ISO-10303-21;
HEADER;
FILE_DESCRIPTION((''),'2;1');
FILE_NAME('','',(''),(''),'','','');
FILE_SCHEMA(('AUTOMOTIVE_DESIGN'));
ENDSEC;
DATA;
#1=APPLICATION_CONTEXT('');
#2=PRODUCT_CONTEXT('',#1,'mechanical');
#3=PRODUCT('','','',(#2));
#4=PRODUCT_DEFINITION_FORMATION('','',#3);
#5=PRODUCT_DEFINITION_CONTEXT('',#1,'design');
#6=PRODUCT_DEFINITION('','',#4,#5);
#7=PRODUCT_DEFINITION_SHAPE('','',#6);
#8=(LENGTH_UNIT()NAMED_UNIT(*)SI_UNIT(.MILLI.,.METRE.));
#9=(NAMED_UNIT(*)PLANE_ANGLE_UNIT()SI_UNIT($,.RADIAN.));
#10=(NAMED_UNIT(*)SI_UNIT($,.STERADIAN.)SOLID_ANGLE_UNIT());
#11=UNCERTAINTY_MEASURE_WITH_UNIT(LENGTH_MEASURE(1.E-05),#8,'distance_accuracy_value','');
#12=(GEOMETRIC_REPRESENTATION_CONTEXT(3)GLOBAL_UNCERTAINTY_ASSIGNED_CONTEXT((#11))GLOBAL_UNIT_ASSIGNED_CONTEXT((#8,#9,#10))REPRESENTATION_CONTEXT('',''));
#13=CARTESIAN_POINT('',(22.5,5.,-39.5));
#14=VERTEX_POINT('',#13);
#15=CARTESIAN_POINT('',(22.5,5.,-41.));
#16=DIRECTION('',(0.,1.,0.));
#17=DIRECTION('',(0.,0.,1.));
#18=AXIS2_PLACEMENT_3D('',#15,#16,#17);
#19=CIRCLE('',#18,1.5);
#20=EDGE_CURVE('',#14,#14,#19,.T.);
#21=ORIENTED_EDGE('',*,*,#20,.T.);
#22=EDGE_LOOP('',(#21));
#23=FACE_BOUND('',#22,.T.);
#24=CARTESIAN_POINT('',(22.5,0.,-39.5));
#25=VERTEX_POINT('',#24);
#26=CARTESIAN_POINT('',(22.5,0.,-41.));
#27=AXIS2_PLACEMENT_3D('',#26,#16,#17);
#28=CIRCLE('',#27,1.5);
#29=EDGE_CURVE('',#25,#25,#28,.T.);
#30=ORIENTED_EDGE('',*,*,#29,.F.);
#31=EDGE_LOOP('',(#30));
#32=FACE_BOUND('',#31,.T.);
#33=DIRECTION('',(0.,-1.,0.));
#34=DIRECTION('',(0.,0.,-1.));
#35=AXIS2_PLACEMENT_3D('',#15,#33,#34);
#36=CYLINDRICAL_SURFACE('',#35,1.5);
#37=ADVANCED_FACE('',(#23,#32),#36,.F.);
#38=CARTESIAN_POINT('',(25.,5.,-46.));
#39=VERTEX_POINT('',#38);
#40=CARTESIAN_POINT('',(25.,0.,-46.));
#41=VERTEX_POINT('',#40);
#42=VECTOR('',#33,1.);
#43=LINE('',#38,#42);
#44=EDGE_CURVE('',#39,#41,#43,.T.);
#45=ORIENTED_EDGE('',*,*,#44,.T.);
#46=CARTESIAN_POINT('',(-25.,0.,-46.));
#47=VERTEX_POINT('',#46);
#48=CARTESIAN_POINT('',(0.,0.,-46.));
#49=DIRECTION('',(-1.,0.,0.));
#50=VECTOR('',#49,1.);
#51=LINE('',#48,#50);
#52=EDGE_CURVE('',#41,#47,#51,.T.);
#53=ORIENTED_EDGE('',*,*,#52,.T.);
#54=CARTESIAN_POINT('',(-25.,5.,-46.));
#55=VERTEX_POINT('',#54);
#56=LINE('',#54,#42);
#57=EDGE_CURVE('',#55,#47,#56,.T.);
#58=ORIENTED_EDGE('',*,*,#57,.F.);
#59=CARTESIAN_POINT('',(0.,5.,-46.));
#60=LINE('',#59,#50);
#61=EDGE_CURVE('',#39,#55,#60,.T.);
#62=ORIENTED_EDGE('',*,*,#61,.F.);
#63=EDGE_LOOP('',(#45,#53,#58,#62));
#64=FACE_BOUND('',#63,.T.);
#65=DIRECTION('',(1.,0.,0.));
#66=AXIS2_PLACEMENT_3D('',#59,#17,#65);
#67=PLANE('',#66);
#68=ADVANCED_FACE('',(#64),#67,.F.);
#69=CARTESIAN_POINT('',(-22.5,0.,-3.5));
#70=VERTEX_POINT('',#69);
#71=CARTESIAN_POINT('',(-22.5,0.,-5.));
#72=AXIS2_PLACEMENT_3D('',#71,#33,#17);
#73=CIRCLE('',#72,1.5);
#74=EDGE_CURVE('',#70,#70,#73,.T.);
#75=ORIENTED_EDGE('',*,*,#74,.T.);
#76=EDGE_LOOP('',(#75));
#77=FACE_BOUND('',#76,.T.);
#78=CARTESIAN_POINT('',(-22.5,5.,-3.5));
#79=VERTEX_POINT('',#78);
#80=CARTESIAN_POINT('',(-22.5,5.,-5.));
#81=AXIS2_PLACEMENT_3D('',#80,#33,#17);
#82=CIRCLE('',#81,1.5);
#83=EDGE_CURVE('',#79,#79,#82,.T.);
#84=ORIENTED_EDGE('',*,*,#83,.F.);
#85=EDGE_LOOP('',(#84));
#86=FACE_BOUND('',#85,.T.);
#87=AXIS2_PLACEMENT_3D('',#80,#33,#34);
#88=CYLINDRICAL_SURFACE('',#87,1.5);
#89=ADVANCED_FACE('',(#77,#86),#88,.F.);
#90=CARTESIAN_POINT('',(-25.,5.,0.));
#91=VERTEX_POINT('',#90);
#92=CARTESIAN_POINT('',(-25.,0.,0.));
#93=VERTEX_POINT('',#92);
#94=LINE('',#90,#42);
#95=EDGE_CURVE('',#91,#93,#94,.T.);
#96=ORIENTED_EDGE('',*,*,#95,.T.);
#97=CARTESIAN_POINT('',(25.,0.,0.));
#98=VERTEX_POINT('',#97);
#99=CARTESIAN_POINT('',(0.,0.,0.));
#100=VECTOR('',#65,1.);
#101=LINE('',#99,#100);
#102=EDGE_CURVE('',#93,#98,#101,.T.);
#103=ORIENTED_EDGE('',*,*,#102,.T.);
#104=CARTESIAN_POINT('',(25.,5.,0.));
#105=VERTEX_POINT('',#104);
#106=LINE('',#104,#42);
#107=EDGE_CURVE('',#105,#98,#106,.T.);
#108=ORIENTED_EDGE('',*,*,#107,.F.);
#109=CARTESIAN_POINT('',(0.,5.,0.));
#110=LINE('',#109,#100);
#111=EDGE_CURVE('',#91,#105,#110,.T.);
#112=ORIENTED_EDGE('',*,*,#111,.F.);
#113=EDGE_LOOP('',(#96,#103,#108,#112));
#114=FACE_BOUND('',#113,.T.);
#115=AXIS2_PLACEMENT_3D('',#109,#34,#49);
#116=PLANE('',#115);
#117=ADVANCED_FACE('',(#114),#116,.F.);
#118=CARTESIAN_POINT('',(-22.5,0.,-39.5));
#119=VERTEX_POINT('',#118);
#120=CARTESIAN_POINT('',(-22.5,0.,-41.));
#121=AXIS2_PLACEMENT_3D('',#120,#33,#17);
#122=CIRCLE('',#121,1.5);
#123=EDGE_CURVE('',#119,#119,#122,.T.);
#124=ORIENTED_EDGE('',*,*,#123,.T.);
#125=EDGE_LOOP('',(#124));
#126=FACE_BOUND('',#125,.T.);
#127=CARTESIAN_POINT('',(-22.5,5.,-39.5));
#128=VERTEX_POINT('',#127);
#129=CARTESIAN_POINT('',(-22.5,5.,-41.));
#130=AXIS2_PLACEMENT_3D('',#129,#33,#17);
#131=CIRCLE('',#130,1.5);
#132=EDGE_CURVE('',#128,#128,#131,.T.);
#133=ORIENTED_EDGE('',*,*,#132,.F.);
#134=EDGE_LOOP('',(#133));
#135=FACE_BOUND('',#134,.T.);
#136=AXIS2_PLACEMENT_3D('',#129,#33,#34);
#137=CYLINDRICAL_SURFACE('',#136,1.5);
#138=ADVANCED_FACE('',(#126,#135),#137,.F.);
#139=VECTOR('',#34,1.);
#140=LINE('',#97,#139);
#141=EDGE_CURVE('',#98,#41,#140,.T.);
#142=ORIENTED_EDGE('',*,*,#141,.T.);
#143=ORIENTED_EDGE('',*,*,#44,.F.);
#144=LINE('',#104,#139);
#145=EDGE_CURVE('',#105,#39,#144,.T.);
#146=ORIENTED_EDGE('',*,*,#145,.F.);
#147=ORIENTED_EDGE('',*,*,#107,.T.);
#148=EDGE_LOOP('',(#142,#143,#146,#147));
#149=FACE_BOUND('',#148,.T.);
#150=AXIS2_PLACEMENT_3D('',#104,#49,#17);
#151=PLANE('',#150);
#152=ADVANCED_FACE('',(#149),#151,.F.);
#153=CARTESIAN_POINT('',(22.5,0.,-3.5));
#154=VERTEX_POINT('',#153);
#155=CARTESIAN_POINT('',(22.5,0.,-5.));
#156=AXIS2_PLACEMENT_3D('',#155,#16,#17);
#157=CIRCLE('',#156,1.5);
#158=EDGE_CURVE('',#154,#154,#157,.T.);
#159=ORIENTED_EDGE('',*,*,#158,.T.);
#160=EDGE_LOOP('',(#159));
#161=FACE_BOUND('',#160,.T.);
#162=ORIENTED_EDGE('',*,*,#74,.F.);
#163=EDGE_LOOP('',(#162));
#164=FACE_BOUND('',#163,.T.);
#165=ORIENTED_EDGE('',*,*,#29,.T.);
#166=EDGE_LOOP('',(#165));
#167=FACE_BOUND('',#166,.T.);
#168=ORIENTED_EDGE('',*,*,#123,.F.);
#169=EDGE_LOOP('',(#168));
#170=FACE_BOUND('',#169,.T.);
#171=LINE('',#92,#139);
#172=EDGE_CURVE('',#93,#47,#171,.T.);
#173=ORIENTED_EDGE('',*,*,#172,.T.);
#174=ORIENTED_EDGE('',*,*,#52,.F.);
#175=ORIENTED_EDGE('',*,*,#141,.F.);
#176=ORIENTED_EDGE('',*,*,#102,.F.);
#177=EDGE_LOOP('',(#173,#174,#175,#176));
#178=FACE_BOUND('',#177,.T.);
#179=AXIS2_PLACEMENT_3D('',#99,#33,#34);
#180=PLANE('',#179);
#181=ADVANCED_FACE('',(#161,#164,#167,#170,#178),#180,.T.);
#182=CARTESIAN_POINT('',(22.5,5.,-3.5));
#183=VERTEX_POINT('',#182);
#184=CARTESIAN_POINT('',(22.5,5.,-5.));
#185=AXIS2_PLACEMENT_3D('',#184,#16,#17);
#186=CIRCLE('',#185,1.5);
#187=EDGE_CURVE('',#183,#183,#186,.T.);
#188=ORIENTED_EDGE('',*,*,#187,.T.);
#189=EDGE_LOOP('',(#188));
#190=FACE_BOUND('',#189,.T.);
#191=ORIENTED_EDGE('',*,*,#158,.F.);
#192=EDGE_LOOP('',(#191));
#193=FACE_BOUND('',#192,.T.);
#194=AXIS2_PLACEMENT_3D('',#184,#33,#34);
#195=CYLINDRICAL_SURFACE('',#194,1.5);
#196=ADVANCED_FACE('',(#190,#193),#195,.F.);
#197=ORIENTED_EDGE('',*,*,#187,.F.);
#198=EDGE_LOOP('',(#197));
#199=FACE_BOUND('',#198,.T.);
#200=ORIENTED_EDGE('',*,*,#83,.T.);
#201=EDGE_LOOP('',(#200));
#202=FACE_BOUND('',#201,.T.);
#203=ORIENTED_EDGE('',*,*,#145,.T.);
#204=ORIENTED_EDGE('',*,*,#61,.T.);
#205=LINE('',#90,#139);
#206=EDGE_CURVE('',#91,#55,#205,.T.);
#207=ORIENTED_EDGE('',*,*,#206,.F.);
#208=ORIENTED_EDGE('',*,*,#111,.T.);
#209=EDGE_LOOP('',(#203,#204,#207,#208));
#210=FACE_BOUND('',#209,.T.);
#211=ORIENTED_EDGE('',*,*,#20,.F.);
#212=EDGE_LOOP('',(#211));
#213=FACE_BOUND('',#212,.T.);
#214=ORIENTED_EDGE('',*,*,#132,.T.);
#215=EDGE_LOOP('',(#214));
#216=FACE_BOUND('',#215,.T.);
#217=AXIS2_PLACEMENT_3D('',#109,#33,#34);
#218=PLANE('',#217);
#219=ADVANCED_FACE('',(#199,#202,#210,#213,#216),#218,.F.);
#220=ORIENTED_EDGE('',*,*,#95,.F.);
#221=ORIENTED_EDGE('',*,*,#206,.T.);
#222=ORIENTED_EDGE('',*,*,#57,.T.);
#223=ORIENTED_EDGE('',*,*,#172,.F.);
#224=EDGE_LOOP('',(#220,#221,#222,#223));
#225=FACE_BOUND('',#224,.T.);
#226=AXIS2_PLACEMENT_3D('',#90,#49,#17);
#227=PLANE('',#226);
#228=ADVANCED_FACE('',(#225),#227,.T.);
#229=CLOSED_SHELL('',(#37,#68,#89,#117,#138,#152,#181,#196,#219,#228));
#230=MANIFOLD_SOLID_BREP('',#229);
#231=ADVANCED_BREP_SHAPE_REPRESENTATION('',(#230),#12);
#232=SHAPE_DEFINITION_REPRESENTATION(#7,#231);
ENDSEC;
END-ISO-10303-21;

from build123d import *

# Parameters (mm, degrees)
SKETCH1_W           = 25
SKETCH1_H           = 46
SKETCH1_R           = 1.5
BOSS_EXTRUDE1_DEPTH = 5


with BuildPart() as part:
    # Sketch1 → Boss-Extrude1 (new body)
    with BuildSketch(Plane(origin=(0, 0, 0), x_dir=(1, 0, 0), z_dir=(0, 1, 0))):
        with Locations((12.5, 23)):
            Rectangle(SKETCH1_W, SKETCH1_H)
        with Locations(Location((22.5, 5, 0), (0, 0, 270))):
            Circle(SKETCH1_R, mode=Mode.SUBTRACT)
        with Locations(Location((22.5, 41, 0), (0, 0, 270))):
            Circle(SKETCH1_R, mode=Mode.SUBTRACT)
    boss_extrude1 = extrude(amount=BOSS_EXTRUDE1_DEPTH)

    # Mirror1: Boss-Extrude1 across plane
    add(boss_extrude1.mirror(Plane(origin=(0, 5, 0), x_dir=(0, 0, 1), z_dir=(1, 0, 0))))


solid = part.part
